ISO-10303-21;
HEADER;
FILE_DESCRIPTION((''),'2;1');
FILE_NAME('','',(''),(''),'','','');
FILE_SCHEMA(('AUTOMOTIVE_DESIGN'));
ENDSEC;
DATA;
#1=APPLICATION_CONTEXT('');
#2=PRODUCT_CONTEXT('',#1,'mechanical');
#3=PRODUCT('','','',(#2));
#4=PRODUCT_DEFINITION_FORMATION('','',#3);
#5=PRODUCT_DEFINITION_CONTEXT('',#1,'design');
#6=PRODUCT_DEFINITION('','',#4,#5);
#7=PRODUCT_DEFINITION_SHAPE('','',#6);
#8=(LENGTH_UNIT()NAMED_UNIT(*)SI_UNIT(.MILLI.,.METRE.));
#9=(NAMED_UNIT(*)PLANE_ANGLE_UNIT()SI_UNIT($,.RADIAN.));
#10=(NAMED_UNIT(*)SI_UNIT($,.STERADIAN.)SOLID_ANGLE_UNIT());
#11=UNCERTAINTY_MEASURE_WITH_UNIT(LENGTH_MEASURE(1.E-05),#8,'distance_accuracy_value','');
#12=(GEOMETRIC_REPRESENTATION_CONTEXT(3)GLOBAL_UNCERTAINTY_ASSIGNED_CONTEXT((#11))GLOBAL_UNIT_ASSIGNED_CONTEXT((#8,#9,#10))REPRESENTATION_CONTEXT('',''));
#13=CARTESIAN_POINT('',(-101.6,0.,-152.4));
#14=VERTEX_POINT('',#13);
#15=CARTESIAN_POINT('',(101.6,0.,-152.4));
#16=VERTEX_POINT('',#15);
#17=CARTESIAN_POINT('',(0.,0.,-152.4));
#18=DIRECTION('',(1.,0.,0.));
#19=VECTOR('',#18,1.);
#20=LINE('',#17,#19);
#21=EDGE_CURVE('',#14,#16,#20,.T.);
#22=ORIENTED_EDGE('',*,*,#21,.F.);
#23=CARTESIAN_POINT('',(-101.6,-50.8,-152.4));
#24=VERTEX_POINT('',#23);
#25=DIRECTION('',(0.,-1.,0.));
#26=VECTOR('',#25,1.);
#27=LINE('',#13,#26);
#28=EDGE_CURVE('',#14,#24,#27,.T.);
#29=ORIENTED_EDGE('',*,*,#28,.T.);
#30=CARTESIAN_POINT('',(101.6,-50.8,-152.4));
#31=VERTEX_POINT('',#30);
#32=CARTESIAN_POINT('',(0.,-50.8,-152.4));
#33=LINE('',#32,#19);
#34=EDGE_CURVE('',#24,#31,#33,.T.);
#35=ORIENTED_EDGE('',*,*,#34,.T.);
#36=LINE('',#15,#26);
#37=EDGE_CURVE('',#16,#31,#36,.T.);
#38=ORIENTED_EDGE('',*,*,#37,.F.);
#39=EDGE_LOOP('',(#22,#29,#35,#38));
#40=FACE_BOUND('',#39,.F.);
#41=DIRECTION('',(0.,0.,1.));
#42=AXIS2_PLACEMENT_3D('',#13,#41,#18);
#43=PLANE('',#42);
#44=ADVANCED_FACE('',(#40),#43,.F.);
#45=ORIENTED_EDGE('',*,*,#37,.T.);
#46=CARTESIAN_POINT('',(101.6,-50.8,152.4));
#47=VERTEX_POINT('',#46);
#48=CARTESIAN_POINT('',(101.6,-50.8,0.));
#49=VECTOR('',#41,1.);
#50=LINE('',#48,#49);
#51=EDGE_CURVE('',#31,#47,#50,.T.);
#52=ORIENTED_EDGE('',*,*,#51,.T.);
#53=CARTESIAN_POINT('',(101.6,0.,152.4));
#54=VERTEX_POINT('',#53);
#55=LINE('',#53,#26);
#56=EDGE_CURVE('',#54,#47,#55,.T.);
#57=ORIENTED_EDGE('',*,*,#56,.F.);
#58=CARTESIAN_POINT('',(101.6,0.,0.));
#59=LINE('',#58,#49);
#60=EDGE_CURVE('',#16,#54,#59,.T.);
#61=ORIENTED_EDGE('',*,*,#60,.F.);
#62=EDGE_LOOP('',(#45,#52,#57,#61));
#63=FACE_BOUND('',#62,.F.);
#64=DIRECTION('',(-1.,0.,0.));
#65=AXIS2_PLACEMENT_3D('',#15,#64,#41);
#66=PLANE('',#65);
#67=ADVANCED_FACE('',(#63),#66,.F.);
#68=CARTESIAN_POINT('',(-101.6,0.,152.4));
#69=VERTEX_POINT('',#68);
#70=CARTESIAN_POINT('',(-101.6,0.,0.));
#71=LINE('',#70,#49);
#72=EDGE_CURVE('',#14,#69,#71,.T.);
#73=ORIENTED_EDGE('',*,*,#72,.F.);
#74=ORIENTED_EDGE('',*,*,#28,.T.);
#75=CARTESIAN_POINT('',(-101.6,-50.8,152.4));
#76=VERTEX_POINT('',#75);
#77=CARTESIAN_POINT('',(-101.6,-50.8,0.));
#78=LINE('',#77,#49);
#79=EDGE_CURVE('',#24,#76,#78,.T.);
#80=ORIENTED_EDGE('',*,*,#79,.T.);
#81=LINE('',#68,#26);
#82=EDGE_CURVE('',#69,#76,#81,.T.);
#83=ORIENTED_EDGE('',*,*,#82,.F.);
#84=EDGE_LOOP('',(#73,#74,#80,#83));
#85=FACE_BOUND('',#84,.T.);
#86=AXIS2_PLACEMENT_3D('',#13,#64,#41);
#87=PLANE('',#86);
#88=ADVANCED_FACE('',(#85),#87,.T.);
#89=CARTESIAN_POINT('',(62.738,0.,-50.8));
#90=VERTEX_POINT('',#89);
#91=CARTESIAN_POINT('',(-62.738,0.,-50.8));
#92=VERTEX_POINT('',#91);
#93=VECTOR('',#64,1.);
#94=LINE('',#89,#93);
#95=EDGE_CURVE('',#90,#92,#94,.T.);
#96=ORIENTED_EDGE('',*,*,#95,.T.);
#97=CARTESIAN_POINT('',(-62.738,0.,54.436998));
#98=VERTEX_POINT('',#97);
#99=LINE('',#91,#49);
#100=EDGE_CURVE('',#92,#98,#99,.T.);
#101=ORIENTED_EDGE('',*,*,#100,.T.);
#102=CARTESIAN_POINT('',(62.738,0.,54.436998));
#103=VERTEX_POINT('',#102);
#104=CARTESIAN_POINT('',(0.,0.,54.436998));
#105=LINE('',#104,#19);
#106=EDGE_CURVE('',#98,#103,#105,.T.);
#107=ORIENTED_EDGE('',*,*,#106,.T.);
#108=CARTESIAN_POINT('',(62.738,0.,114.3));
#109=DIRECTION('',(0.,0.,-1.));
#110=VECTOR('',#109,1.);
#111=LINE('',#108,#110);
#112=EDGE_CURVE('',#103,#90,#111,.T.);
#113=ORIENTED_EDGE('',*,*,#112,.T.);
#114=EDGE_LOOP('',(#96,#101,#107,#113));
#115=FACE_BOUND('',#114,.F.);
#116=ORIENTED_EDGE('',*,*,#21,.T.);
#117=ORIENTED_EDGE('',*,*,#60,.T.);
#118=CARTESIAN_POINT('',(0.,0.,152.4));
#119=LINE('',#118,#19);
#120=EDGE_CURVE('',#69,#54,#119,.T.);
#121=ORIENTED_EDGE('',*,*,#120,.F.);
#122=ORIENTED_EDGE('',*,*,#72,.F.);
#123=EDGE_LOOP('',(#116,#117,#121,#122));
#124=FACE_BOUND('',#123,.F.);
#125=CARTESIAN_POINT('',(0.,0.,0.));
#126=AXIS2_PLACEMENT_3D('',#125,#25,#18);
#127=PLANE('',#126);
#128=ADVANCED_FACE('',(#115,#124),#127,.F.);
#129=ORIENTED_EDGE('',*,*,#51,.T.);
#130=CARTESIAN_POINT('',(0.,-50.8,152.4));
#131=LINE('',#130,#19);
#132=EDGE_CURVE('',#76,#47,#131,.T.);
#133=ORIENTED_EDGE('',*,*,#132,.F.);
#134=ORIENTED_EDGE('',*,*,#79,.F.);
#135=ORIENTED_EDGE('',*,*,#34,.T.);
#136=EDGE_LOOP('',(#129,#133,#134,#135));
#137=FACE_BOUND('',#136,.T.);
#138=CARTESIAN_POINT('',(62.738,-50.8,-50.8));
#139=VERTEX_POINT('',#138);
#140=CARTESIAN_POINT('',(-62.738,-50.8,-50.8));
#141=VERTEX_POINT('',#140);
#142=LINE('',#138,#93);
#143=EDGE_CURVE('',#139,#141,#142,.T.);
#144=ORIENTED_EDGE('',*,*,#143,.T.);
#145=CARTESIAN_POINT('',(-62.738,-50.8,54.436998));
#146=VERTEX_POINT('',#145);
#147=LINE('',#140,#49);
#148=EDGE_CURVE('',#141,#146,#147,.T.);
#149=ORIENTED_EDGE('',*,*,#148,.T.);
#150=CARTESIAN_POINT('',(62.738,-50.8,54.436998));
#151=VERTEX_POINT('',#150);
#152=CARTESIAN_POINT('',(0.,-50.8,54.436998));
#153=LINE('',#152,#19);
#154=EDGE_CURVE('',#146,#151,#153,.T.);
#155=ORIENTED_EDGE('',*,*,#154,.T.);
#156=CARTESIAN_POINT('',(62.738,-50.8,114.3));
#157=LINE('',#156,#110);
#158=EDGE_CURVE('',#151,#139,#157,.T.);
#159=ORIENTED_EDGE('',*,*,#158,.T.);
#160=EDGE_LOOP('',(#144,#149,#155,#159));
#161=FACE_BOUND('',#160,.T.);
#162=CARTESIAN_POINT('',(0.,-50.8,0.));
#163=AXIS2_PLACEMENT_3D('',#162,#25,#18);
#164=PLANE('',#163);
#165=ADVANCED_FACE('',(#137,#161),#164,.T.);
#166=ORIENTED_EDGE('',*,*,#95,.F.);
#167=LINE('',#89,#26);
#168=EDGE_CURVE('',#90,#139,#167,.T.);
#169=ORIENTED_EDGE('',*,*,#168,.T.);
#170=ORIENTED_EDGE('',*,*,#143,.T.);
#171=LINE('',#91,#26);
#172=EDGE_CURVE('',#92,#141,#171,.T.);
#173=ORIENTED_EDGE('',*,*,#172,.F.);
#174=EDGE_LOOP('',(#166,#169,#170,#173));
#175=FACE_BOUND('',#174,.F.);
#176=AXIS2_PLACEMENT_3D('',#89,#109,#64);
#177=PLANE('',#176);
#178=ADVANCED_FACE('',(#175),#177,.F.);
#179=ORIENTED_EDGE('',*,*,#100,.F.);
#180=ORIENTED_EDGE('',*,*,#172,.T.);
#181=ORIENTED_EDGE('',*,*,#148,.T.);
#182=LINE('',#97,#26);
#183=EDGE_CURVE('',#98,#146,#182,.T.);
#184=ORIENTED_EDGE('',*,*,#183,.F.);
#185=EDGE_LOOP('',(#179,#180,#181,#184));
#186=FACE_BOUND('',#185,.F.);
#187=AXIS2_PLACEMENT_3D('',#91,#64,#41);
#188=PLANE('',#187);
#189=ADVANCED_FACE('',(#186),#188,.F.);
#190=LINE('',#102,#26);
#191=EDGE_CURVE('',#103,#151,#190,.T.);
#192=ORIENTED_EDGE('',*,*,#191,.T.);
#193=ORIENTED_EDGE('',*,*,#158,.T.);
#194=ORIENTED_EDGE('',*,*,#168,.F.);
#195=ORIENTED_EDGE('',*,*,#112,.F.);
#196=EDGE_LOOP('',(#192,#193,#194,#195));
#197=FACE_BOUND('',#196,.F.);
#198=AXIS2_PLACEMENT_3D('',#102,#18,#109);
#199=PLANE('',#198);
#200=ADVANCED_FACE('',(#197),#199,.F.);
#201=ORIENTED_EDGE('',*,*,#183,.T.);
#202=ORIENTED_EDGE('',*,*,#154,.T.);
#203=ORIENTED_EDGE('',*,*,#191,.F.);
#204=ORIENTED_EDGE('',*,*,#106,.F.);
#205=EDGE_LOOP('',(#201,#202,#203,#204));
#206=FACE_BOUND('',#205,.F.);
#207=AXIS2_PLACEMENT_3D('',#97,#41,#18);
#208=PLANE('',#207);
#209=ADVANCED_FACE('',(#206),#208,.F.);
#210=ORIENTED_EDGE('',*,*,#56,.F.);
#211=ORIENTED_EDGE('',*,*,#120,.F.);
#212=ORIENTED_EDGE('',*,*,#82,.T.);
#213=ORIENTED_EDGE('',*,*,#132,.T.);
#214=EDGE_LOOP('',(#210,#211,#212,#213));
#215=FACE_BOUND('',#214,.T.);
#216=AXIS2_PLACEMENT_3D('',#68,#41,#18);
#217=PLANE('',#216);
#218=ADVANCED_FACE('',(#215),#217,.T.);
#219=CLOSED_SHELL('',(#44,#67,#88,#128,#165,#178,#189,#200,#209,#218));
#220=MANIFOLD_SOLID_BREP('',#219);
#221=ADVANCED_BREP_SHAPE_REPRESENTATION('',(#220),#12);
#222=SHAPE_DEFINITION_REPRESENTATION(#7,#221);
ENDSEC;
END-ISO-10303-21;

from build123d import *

# Parameters (mm, degrees)
F0_W     = 203.2
F0_H     = 304.8
F0_W_2   = 125.476
F0_H_2   = 59.863002
F0_W_3   = 77.724
F0_H_3   = 58.935668
F1_DEPTH = 50.8


with BuildPart() as f1:
    # F0 (on Front) → F1 (new body)
    with BuildSketch(Plane.XZ):
        Rectangle(F0_W, F0_H)
        Polygon((-38.862, -109.735668), (-38.862, -50.8), (-62.738, -50.8), (-62.738, 54.436998), (-62.738, 114.3), (62.738, 114.3), (62.738, 54.436998), (62.738, -50.8), (38.862, -50.8), (38.862, -109.735668), align=None, mode=Mode.SUBTRACT)
        with Locations((0, 84.368499)):
            Rectangle(F0_W_2, F0_H_2)
        with Locations((0, -80.267834)):
            Rectangle(F0_W_3, F0_H_3)
    extrude(amount=F1_DEPTH)


solid = f1.part
